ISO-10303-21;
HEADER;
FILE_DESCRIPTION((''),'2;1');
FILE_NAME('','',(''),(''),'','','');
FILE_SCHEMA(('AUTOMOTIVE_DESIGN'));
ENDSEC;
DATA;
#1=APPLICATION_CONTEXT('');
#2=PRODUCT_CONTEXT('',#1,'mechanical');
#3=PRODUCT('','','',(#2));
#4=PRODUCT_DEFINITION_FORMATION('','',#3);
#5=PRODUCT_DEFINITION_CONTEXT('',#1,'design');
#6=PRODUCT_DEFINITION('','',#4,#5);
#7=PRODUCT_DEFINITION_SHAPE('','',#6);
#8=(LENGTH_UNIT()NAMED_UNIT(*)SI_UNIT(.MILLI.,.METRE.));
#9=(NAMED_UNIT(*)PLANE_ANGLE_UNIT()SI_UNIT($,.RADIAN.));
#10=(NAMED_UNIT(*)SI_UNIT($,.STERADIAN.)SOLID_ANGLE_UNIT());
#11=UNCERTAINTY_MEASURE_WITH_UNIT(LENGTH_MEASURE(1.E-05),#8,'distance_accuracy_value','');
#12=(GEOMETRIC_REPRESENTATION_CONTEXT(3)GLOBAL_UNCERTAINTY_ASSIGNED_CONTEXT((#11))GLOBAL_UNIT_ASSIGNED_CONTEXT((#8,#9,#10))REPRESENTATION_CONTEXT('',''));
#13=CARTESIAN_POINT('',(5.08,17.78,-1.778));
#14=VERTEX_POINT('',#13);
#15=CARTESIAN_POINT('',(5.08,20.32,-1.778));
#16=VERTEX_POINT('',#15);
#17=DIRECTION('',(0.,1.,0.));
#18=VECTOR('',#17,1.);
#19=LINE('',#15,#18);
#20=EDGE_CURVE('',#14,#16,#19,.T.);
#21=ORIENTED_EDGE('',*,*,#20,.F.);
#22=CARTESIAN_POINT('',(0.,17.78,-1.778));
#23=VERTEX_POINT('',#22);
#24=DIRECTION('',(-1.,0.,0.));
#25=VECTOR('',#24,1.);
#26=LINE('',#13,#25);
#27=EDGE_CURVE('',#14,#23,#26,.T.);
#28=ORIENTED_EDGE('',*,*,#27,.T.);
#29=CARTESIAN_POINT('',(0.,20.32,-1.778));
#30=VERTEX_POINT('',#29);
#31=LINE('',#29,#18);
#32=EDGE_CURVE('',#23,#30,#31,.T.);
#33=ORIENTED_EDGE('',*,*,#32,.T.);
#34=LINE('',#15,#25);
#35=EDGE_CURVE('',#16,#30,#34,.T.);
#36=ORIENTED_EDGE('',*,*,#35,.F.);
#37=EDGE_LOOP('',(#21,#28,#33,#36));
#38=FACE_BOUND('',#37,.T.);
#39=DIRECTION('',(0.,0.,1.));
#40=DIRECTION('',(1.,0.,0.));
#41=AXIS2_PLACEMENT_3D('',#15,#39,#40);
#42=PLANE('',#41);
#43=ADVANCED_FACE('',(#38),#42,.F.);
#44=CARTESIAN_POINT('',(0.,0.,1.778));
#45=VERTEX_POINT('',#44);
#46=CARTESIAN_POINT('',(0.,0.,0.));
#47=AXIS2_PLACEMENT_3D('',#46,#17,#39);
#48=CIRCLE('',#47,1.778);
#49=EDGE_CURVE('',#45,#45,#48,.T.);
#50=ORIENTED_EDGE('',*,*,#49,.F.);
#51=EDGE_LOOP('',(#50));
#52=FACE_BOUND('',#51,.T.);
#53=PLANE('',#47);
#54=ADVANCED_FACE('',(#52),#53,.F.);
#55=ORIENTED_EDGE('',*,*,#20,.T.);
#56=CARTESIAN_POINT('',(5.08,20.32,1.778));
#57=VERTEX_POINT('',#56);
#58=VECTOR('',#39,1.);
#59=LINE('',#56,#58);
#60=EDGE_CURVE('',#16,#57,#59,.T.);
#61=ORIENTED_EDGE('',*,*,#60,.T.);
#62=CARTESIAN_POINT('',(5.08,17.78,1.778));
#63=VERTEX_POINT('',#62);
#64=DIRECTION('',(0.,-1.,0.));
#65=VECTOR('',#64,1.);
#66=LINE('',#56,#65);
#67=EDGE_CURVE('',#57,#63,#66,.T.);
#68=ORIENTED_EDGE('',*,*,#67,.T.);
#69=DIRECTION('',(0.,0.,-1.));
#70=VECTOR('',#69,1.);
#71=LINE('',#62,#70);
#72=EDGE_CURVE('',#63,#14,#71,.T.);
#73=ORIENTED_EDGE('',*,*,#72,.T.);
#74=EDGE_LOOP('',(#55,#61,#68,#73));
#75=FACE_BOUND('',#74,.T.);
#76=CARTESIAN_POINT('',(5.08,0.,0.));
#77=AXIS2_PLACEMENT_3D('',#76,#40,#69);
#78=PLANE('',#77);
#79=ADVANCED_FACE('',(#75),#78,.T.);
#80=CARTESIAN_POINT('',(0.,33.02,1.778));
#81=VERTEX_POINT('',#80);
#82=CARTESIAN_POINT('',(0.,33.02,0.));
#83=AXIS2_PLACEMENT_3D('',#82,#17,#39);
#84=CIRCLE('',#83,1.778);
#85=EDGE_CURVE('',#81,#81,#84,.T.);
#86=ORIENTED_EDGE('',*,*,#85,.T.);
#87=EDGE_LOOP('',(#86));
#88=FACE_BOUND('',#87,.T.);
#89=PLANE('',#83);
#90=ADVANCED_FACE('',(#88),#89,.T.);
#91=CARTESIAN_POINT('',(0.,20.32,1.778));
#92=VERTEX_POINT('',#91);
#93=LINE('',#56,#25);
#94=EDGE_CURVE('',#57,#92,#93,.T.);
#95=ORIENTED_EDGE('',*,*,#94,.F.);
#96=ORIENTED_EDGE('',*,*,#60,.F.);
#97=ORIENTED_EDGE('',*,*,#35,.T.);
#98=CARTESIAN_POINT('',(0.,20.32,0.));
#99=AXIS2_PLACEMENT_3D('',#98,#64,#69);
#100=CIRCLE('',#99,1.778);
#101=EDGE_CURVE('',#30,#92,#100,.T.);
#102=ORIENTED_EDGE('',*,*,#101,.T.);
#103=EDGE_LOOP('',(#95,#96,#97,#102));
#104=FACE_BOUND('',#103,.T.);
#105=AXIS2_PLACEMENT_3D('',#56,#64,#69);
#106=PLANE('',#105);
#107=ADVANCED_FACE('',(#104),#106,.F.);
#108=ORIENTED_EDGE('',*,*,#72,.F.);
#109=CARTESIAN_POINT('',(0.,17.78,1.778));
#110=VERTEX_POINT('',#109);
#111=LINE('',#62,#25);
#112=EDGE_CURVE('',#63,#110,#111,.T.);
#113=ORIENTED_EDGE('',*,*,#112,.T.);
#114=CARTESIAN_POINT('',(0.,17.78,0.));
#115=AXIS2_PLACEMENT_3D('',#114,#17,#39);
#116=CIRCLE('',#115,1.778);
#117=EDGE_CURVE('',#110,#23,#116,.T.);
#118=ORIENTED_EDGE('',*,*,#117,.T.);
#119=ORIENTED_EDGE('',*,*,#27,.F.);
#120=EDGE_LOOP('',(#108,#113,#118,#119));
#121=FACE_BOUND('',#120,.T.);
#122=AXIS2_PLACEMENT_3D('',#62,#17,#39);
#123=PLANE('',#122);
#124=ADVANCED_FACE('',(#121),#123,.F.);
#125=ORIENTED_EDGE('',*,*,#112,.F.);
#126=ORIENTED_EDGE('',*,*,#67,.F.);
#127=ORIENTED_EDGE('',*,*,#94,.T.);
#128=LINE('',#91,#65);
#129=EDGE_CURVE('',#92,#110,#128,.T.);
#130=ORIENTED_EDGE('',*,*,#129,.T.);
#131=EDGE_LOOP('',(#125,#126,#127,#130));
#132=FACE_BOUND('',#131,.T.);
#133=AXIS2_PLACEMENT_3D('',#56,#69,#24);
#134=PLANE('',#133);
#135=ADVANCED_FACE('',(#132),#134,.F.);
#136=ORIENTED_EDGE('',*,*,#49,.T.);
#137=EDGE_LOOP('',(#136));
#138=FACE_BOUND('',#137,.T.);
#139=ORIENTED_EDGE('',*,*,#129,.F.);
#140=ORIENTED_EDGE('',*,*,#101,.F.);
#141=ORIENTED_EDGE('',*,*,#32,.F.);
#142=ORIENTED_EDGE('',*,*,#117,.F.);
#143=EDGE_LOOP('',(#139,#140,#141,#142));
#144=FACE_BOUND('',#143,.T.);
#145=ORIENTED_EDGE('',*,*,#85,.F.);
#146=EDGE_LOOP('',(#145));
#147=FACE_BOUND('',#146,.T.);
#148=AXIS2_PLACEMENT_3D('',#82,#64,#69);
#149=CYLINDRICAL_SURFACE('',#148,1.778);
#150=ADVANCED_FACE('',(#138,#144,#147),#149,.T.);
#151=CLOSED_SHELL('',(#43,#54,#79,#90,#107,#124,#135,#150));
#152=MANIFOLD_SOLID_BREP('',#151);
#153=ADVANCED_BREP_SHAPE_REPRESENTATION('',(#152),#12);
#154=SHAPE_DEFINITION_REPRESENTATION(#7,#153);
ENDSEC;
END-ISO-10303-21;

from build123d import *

# Parameters (mm, degrees)
SKETCH1_R           = 1.778
BOSS_EXTRUDE1_DEPTH = 33.02
SKETCH2_W           = 3.556
SKETCH2_H           = 2.54
BOSS_EXTRUDE2_DEPTH = 5.08


with BuildPart() as part:
    # Sketch1 → Boss-Extrude1 (new body)
    with BuildSketch(Plane(origin=(0, 0, 0), x_dir=(1, 0, 0), z_dir=(0, 1, 0))):
        Circle(SKETCH1_R)
    extrude(amount=BOSS_EXTRUDE1_DEPTH)

    # Sketch2 → Boss-Extrude2 (add)
    with BuildSketch(Plane(origin=(0, 0, 0), x_dir=(0, 0, -1), z_dir=(1, 0, 0))):
        with Locations((0, 19.05)):
            Rectangle(SKETCH2_W, SKETCH2_H)
    extrude(amount=BOSS_EXTRUDE2_DEPTH)


solid = part.part
